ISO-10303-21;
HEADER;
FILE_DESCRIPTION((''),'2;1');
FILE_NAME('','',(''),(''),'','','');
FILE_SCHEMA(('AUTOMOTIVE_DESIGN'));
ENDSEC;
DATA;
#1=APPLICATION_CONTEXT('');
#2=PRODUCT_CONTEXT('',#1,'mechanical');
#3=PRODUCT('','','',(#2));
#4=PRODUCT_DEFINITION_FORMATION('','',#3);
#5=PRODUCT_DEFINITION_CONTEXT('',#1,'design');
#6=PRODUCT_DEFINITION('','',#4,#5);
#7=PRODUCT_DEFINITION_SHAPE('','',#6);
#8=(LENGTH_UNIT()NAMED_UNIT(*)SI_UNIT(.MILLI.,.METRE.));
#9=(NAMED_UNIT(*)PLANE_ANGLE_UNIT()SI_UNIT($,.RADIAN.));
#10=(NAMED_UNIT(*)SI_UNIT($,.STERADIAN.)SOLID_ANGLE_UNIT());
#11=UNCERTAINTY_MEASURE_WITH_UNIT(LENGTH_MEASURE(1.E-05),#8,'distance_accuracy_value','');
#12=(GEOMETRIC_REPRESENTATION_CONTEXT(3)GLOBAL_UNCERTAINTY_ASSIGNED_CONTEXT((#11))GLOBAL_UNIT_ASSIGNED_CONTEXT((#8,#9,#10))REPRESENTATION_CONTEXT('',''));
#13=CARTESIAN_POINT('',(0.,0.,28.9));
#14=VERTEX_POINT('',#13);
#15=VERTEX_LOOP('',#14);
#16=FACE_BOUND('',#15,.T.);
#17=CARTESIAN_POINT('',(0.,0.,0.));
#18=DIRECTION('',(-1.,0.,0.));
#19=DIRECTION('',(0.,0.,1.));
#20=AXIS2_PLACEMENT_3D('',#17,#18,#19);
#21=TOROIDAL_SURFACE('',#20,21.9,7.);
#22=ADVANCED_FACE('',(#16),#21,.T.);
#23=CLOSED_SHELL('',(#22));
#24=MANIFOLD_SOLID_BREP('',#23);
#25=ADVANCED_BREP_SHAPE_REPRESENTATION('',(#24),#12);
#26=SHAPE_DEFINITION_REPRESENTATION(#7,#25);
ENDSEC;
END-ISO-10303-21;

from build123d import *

# Parameters (mm, degrees)
SKETCH1_R = 7


with BuildPart() as part:
    # Sketch1 → Revolve1 (revolve)
    with BuildSketch(Plane.XY, mode=Mode.PRIVATE) as revolve1_sk:
        with Locations((0, 21.9)):
            Circle(SKETCH1_R)
    revolve(revolve1_sk.sketch.rotate(Axis((-9.617945587, 0, 0), (1, 0, 0)), 90), axis=Axis((-9.617945587, 0, 0), (1, 0, 0)))


solid = part.part
